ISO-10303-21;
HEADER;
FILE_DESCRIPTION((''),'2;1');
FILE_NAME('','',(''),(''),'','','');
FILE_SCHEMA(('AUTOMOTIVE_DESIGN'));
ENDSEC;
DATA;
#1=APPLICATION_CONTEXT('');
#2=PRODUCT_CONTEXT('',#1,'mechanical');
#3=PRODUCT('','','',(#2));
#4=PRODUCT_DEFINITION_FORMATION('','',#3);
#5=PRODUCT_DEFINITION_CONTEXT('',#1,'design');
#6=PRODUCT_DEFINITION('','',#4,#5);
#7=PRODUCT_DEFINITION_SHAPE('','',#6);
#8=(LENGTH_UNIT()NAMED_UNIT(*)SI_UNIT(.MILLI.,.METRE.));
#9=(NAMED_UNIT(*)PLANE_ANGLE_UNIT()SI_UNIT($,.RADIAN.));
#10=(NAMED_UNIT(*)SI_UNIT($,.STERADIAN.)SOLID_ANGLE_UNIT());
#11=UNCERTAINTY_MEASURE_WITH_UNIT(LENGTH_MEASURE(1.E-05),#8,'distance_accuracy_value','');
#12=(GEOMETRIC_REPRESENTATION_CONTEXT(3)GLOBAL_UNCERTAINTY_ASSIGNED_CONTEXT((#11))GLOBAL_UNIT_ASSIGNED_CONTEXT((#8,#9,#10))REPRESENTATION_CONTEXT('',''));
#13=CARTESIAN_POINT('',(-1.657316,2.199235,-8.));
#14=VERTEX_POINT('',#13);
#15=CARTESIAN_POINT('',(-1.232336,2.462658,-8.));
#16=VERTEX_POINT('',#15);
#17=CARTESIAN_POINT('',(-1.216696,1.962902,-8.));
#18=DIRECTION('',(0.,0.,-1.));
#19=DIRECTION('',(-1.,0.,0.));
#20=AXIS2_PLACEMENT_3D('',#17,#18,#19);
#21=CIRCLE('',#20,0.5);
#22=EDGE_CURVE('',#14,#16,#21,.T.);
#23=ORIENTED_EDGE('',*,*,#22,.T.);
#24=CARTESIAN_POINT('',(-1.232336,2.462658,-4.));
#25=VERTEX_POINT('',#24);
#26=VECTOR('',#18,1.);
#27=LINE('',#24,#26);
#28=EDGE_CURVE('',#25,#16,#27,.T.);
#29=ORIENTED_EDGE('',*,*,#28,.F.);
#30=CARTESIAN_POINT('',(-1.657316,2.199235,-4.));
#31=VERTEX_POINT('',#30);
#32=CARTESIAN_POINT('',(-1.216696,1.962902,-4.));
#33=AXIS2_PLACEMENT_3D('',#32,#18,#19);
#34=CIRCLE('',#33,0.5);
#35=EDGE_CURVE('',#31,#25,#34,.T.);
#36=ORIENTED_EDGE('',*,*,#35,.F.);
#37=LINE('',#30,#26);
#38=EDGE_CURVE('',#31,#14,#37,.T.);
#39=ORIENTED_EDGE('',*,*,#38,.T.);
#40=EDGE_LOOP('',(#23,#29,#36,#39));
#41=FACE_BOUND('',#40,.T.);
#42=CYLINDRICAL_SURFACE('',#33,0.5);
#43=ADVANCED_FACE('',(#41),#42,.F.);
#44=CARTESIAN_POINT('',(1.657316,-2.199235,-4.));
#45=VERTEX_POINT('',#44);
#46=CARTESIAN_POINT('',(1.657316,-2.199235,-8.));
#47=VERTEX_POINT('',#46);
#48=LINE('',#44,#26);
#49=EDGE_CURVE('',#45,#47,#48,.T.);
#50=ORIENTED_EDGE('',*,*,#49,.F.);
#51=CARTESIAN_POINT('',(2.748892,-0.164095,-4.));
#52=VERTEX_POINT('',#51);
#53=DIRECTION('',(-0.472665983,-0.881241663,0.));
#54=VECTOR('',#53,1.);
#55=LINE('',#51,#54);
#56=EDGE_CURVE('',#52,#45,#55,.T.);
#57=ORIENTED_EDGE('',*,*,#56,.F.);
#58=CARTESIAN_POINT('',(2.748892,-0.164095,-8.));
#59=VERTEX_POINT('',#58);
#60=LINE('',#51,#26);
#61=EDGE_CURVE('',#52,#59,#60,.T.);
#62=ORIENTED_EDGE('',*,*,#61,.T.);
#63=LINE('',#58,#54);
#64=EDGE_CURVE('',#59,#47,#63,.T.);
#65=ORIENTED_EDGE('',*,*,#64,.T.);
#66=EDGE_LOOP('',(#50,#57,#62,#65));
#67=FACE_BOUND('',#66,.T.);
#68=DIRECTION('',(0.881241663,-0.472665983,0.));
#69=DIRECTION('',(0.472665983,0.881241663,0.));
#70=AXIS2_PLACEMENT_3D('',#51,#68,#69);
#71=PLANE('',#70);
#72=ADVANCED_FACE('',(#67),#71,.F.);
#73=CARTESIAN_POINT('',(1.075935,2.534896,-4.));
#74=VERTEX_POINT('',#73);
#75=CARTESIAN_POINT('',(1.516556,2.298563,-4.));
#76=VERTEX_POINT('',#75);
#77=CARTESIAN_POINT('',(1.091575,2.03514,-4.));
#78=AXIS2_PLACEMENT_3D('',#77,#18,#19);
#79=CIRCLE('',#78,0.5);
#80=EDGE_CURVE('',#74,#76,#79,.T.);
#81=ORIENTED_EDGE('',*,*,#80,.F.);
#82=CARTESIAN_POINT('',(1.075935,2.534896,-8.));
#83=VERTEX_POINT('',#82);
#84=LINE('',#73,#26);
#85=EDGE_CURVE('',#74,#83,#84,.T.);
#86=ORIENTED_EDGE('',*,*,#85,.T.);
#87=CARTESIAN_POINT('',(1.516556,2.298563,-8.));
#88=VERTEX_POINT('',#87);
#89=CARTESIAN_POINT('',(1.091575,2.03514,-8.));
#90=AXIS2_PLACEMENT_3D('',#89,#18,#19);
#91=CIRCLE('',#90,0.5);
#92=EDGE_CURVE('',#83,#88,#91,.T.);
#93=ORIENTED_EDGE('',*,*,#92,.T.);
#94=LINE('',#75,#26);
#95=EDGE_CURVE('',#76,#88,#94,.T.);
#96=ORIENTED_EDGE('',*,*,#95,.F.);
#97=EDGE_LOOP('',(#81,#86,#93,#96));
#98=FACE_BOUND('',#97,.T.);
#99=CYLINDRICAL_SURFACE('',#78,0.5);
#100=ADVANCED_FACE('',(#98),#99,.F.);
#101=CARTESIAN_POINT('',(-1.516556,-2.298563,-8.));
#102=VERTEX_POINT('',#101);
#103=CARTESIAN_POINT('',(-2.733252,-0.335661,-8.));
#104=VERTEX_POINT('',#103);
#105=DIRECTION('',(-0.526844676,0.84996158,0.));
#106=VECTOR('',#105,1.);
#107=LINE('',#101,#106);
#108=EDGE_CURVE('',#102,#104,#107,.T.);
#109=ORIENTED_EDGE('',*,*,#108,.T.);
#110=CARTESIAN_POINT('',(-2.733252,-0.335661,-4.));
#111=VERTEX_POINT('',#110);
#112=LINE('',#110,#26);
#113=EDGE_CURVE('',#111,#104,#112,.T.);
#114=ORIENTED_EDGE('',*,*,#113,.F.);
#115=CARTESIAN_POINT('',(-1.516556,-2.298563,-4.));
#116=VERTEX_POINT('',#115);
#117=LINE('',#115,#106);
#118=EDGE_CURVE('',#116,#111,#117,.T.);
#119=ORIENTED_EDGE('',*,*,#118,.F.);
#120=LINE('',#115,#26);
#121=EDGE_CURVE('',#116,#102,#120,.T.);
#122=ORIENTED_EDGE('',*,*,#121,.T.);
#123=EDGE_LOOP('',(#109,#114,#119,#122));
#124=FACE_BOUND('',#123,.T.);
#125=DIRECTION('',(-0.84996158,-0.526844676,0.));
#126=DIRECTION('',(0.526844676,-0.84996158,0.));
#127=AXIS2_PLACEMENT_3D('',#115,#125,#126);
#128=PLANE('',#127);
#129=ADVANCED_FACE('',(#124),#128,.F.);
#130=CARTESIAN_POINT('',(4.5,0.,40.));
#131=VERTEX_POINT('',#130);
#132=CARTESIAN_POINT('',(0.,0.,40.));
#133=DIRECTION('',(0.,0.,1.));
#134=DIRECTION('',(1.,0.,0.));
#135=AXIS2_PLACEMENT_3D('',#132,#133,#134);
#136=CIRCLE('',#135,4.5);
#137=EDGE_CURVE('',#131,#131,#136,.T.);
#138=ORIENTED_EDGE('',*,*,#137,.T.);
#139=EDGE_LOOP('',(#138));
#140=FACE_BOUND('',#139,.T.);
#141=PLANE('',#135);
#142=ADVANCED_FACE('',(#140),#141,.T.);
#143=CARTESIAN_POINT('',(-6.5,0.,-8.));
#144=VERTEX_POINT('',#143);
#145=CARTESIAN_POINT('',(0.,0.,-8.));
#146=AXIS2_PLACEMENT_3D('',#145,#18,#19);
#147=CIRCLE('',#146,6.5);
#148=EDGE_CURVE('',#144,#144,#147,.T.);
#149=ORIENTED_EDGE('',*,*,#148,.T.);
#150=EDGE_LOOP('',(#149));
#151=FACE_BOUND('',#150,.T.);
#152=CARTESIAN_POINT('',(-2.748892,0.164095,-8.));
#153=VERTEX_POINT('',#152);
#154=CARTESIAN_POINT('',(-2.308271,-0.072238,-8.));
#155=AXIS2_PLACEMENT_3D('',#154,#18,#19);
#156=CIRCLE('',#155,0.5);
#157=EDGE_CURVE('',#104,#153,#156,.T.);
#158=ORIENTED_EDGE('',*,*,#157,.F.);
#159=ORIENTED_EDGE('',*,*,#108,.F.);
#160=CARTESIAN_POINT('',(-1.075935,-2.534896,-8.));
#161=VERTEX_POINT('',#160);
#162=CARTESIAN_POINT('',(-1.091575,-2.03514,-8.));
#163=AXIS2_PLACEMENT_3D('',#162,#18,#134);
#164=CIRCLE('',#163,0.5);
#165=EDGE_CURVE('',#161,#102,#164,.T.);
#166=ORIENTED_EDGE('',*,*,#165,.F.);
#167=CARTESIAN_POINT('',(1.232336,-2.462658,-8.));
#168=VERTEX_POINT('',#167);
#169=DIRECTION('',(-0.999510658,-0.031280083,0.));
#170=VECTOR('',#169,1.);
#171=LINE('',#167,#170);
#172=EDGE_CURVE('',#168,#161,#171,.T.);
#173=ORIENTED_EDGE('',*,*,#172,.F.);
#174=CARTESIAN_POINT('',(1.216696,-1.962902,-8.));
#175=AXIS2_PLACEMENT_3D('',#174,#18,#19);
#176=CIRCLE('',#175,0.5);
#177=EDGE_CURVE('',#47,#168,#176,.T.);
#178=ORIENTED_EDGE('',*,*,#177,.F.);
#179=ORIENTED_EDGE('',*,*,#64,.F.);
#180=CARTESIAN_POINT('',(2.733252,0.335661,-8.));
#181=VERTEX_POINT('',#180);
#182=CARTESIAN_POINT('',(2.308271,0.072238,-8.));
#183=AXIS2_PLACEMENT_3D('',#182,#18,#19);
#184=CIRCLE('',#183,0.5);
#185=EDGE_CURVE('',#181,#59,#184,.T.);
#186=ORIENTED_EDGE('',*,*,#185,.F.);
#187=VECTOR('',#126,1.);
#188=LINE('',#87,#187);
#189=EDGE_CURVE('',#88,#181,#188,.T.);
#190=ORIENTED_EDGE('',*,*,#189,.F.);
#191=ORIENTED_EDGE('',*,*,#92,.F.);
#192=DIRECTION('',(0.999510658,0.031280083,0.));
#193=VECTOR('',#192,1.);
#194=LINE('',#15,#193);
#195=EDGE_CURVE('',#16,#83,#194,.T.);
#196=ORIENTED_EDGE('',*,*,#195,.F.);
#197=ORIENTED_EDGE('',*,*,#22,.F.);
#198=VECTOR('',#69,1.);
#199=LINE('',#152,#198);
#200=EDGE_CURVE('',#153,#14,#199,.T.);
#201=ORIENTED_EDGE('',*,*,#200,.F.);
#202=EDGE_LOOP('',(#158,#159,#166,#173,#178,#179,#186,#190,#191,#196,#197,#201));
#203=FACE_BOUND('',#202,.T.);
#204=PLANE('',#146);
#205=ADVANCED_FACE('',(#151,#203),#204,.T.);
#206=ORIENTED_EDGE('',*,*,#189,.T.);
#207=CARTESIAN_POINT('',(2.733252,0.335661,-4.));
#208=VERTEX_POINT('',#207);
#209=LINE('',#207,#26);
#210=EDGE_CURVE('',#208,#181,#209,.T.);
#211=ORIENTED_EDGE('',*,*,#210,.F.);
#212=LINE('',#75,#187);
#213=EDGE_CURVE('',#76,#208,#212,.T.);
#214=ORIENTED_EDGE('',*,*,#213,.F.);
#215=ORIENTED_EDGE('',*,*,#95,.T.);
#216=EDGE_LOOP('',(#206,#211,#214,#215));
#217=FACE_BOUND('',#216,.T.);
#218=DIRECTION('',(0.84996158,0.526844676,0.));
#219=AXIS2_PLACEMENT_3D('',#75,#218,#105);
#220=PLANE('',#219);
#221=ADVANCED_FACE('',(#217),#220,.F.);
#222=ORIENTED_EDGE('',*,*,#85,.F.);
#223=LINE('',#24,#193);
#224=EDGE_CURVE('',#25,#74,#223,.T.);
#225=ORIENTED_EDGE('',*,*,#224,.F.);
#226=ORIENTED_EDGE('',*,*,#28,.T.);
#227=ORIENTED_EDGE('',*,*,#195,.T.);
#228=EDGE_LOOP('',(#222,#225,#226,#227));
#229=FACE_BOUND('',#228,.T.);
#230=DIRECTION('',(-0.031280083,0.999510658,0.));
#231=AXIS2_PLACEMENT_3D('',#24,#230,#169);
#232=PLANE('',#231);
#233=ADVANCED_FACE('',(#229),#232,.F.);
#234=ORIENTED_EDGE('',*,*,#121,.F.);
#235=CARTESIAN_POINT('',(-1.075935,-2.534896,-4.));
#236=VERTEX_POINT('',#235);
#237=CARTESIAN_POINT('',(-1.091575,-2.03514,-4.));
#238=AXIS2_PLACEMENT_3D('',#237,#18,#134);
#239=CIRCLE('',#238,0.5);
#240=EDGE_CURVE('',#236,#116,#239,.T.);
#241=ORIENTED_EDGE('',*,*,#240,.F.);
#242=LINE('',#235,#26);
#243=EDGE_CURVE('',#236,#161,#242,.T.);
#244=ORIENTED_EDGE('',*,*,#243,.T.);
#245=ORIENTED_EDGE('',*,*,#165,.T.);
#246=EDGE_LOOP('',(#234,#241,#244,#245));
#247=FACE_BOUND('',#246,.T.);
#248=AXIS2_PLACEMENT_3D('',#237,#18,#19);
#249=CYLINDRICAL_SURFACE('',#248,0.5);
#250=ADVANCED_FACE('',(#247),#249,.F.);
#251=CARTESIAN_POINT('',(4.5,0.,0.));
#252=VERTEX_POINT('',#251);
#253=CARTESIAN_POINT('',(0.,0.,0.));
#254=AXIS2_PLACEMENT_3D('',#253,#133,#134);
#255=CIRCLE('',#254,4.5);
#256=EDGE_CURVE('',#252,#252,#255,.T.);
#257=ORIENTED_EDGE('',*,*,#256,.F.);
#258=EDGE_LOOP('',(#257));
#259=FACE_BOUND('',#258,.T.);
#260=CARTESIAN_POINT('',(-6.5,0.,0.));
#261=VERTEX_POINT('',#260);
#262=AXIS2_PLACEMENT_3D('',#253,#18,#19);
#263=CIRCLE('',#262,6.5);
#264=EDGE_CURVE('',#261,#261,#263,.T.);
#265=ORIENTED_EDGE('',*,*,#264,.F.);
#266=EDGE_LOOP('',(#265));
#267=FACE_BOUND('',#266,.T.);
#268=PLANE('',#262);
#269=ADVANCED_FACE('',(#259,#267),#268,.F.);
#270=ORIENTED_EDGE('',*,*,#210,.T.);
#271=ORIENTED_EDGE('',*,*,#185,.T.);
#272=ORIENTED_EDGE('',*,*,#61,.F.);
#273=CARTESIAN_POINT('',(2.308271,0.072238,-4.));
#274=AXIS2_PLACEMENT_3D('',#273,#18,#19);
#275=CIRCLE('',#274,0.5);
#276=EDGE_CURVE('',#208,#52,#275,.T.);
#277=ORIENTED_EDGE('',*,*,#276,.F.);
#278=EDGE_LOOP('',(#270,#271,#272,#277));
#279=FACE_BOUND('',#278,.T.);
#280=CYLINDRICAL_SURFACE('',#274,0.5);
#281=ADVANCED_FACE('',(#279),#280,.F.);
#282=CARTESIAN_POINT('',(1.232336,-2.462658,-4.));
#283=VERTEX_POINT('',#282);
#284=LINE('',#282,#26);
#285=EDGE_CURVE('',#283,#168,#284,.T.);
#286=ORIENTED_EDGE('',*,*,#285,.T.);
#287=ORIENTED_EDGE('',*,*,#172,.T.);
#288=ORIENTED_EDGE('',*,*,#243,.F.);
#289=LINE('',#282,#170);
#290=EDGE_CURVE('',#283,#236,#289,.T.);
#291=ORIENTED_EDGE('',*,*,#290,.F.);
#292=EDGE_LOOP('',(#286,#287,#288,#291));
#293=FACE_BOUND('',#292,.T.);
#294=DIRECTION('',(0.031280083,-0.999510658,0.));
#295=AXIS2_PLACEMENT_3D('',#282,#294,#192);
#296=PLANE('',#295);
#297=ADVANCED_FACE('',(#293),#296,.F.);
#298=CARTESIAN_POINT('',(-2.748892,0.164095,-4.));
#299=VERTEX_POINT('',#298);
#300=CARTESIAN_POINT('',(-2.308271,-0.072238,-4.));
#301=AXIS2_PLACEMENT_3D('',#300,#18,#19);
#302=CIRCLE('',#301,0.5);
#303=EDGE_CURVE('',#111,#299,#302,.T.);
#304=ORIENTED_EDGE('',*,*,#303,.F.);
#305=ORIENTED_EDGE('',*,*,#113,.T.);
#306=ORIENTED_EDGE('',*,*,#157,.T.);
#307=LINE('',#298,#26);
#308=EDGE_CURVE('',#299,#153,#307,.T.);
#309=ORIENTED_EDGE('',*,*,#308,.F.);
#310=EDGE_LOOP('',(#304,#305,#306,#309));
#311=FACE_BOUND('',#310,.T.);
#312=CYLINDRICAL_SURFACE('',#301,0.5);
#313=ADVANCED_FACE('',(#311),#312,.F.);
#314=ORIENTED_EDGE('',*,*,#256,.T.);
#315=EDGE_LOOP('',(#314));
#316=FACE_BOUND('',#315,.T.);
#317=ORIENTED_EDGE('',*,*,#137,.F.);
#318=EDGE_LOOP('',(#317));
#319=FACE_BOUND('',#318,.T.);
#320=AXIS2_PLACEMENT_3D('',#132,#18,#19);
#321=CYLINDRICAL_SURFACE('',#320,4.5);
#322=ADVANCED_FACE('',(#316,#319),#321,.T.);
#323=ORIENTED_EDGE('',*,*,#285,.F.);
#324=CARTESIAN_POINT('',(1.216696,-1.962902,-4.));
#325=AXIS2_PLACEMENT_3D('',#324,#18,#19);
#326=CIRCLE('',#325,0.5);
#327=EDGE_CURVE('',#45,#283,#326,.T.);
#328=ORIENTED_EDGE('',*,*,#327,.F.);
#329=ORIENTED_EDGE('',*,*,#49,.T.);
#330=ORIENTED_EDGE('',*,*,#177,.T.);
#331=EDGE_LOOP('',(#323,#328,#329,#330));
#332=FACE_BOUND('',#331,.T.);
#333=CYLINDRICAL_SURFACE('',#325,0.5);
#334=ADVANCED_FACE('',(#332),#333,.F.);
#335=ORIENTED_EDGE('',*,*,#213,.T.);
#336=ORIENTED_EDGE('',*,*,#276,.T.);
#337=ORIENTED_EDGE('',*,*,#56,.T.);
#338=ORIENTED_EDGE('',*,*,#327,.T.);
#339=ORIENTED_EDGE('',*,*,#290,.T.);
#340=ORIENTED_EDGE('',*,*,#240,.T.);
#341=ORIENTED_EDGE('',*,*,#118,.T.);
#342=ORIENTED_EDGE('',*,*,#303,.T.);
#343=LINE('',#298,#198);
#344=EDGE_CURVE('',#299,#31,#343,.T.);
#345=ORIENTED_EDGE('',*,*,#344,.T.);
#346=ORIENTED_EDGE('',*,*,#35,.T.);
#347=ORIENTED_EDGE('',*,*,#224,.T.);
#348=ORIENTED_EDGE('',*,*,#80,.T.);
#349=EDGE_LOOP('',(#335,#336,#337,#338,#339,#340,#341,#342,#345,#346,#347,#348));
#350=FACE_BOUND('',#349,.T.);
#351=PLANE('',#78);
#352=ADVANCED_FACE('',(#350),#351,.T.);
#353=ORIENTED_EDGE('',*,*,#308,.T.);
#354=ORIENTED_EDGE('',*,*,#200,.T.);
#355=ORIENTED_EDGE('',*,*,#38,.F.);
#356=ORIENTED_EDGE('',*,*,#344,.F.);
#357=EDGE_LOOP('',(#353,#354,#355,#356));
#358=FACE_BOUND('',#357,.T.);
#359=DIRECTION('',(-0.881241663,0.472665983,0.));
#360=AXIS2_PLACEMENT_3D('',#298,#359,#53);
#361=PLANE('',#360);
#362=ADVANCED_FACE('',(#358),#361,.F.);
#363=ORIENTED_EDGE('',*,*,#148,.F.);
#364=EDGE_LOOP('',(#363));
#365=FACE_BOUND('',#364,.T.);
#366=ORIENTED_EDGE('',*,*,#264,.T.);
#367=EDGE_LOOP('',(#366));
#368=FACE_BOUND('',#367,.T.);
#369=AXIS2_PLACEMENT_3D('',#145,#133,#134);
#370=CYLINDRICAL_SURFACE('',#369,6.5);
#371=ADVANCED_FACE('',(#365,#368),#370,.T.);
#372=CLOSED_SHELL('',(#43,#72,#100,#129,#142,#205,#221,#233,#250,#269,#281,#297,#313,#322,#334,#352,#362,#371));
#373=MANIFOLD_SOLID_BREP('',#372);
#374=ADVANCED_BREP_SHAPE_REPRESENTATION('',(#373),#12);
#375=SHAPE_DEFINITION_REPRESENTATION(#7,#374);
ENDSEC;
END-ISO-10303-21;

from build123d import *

# Parameters (mm, degrees)
SKETCH_1_R          = 4.5
EXTRUDE_1_DEPTH     = 40
SKETCH_2_R          = 6.5
EXTRUDE_2_DEPTH     = 8
CUT_EXTRUDE_1_DEPTH = 4


with BuildPart() as part:
    # 스케치1 → 보스-돌출1 (new body)
    with BuildSketch(Plane.XY):
        Circle(SKETCH_1_R)
    extrude(amount=EXTRUDE_1_DEPTH)

    # 스케치2 → 보스-돌출2 (add)
    with BuildSketch(Plane(origin=(0, 0, 0), x_dir=(-1, 0, 0), z_dir=(0, 0, -1))):
        Circle(SKETCH_2_R)
    extrude(amount=EXTRUDE_2_DEPTH)

    # 스케치3 → 컷-돌출1 (cut)
    with BuildSketch(Plane(origin=(0, 0, -8), x_dir=(-1, 0, 0), z_dir=(0, 0, -1))):
        with BuildLine():
            Line((1.51655612, -2.298562783), (2.733251781, -0.335660595))
            ThreePointArc((2.733251781, -0.335660595), (2.80802632, -0.087878298), (2.748891822, 0.164094734))
            Line((2.748891822, 0.164094734), (1.657316493, 2.19923518))
            ThreePointArc((1.657316493, 2.19923518), (1.480117999, 2.387882979), (1.232335703, 2.462657518))
            Line((1.232335703, 2.462657518), (-1.075935288, 2.534895775))
            ThreePointArc((-1.075935288, 2.534895775), (-1.327908321, 2.475761277), (-1.51655612, 2.298562783))
            Line((-1.51655612, 2.298562783), (-2.733251781, 0.335660595))
            ThreePointArc((-2.733251781, 0.335660595), (-2.80802632, 0.087878298), (-2.748891822, -0.164094734))
            Line((-2.748891822, -0.164094734), (-1.657316493, -2.19923518))
            ThreePointArc((-1.657316493, -2.19923518), (-1.480117999, -2.387882979), (-1.232335703, -2.462657518))
            Line((-1.232335703, -2.462657518), (1.075935288, -2.534895775))
            ThreePointArc((1.075935288, -2.534895775), (1.327908321, -2.475761277), (1.51655612, -2.298562783))
        make_face()
    extrude(amount=-CUT_EXTRUDE_1_DEPTH, mode=Mode.SUBTRACT)


solid = part.part
